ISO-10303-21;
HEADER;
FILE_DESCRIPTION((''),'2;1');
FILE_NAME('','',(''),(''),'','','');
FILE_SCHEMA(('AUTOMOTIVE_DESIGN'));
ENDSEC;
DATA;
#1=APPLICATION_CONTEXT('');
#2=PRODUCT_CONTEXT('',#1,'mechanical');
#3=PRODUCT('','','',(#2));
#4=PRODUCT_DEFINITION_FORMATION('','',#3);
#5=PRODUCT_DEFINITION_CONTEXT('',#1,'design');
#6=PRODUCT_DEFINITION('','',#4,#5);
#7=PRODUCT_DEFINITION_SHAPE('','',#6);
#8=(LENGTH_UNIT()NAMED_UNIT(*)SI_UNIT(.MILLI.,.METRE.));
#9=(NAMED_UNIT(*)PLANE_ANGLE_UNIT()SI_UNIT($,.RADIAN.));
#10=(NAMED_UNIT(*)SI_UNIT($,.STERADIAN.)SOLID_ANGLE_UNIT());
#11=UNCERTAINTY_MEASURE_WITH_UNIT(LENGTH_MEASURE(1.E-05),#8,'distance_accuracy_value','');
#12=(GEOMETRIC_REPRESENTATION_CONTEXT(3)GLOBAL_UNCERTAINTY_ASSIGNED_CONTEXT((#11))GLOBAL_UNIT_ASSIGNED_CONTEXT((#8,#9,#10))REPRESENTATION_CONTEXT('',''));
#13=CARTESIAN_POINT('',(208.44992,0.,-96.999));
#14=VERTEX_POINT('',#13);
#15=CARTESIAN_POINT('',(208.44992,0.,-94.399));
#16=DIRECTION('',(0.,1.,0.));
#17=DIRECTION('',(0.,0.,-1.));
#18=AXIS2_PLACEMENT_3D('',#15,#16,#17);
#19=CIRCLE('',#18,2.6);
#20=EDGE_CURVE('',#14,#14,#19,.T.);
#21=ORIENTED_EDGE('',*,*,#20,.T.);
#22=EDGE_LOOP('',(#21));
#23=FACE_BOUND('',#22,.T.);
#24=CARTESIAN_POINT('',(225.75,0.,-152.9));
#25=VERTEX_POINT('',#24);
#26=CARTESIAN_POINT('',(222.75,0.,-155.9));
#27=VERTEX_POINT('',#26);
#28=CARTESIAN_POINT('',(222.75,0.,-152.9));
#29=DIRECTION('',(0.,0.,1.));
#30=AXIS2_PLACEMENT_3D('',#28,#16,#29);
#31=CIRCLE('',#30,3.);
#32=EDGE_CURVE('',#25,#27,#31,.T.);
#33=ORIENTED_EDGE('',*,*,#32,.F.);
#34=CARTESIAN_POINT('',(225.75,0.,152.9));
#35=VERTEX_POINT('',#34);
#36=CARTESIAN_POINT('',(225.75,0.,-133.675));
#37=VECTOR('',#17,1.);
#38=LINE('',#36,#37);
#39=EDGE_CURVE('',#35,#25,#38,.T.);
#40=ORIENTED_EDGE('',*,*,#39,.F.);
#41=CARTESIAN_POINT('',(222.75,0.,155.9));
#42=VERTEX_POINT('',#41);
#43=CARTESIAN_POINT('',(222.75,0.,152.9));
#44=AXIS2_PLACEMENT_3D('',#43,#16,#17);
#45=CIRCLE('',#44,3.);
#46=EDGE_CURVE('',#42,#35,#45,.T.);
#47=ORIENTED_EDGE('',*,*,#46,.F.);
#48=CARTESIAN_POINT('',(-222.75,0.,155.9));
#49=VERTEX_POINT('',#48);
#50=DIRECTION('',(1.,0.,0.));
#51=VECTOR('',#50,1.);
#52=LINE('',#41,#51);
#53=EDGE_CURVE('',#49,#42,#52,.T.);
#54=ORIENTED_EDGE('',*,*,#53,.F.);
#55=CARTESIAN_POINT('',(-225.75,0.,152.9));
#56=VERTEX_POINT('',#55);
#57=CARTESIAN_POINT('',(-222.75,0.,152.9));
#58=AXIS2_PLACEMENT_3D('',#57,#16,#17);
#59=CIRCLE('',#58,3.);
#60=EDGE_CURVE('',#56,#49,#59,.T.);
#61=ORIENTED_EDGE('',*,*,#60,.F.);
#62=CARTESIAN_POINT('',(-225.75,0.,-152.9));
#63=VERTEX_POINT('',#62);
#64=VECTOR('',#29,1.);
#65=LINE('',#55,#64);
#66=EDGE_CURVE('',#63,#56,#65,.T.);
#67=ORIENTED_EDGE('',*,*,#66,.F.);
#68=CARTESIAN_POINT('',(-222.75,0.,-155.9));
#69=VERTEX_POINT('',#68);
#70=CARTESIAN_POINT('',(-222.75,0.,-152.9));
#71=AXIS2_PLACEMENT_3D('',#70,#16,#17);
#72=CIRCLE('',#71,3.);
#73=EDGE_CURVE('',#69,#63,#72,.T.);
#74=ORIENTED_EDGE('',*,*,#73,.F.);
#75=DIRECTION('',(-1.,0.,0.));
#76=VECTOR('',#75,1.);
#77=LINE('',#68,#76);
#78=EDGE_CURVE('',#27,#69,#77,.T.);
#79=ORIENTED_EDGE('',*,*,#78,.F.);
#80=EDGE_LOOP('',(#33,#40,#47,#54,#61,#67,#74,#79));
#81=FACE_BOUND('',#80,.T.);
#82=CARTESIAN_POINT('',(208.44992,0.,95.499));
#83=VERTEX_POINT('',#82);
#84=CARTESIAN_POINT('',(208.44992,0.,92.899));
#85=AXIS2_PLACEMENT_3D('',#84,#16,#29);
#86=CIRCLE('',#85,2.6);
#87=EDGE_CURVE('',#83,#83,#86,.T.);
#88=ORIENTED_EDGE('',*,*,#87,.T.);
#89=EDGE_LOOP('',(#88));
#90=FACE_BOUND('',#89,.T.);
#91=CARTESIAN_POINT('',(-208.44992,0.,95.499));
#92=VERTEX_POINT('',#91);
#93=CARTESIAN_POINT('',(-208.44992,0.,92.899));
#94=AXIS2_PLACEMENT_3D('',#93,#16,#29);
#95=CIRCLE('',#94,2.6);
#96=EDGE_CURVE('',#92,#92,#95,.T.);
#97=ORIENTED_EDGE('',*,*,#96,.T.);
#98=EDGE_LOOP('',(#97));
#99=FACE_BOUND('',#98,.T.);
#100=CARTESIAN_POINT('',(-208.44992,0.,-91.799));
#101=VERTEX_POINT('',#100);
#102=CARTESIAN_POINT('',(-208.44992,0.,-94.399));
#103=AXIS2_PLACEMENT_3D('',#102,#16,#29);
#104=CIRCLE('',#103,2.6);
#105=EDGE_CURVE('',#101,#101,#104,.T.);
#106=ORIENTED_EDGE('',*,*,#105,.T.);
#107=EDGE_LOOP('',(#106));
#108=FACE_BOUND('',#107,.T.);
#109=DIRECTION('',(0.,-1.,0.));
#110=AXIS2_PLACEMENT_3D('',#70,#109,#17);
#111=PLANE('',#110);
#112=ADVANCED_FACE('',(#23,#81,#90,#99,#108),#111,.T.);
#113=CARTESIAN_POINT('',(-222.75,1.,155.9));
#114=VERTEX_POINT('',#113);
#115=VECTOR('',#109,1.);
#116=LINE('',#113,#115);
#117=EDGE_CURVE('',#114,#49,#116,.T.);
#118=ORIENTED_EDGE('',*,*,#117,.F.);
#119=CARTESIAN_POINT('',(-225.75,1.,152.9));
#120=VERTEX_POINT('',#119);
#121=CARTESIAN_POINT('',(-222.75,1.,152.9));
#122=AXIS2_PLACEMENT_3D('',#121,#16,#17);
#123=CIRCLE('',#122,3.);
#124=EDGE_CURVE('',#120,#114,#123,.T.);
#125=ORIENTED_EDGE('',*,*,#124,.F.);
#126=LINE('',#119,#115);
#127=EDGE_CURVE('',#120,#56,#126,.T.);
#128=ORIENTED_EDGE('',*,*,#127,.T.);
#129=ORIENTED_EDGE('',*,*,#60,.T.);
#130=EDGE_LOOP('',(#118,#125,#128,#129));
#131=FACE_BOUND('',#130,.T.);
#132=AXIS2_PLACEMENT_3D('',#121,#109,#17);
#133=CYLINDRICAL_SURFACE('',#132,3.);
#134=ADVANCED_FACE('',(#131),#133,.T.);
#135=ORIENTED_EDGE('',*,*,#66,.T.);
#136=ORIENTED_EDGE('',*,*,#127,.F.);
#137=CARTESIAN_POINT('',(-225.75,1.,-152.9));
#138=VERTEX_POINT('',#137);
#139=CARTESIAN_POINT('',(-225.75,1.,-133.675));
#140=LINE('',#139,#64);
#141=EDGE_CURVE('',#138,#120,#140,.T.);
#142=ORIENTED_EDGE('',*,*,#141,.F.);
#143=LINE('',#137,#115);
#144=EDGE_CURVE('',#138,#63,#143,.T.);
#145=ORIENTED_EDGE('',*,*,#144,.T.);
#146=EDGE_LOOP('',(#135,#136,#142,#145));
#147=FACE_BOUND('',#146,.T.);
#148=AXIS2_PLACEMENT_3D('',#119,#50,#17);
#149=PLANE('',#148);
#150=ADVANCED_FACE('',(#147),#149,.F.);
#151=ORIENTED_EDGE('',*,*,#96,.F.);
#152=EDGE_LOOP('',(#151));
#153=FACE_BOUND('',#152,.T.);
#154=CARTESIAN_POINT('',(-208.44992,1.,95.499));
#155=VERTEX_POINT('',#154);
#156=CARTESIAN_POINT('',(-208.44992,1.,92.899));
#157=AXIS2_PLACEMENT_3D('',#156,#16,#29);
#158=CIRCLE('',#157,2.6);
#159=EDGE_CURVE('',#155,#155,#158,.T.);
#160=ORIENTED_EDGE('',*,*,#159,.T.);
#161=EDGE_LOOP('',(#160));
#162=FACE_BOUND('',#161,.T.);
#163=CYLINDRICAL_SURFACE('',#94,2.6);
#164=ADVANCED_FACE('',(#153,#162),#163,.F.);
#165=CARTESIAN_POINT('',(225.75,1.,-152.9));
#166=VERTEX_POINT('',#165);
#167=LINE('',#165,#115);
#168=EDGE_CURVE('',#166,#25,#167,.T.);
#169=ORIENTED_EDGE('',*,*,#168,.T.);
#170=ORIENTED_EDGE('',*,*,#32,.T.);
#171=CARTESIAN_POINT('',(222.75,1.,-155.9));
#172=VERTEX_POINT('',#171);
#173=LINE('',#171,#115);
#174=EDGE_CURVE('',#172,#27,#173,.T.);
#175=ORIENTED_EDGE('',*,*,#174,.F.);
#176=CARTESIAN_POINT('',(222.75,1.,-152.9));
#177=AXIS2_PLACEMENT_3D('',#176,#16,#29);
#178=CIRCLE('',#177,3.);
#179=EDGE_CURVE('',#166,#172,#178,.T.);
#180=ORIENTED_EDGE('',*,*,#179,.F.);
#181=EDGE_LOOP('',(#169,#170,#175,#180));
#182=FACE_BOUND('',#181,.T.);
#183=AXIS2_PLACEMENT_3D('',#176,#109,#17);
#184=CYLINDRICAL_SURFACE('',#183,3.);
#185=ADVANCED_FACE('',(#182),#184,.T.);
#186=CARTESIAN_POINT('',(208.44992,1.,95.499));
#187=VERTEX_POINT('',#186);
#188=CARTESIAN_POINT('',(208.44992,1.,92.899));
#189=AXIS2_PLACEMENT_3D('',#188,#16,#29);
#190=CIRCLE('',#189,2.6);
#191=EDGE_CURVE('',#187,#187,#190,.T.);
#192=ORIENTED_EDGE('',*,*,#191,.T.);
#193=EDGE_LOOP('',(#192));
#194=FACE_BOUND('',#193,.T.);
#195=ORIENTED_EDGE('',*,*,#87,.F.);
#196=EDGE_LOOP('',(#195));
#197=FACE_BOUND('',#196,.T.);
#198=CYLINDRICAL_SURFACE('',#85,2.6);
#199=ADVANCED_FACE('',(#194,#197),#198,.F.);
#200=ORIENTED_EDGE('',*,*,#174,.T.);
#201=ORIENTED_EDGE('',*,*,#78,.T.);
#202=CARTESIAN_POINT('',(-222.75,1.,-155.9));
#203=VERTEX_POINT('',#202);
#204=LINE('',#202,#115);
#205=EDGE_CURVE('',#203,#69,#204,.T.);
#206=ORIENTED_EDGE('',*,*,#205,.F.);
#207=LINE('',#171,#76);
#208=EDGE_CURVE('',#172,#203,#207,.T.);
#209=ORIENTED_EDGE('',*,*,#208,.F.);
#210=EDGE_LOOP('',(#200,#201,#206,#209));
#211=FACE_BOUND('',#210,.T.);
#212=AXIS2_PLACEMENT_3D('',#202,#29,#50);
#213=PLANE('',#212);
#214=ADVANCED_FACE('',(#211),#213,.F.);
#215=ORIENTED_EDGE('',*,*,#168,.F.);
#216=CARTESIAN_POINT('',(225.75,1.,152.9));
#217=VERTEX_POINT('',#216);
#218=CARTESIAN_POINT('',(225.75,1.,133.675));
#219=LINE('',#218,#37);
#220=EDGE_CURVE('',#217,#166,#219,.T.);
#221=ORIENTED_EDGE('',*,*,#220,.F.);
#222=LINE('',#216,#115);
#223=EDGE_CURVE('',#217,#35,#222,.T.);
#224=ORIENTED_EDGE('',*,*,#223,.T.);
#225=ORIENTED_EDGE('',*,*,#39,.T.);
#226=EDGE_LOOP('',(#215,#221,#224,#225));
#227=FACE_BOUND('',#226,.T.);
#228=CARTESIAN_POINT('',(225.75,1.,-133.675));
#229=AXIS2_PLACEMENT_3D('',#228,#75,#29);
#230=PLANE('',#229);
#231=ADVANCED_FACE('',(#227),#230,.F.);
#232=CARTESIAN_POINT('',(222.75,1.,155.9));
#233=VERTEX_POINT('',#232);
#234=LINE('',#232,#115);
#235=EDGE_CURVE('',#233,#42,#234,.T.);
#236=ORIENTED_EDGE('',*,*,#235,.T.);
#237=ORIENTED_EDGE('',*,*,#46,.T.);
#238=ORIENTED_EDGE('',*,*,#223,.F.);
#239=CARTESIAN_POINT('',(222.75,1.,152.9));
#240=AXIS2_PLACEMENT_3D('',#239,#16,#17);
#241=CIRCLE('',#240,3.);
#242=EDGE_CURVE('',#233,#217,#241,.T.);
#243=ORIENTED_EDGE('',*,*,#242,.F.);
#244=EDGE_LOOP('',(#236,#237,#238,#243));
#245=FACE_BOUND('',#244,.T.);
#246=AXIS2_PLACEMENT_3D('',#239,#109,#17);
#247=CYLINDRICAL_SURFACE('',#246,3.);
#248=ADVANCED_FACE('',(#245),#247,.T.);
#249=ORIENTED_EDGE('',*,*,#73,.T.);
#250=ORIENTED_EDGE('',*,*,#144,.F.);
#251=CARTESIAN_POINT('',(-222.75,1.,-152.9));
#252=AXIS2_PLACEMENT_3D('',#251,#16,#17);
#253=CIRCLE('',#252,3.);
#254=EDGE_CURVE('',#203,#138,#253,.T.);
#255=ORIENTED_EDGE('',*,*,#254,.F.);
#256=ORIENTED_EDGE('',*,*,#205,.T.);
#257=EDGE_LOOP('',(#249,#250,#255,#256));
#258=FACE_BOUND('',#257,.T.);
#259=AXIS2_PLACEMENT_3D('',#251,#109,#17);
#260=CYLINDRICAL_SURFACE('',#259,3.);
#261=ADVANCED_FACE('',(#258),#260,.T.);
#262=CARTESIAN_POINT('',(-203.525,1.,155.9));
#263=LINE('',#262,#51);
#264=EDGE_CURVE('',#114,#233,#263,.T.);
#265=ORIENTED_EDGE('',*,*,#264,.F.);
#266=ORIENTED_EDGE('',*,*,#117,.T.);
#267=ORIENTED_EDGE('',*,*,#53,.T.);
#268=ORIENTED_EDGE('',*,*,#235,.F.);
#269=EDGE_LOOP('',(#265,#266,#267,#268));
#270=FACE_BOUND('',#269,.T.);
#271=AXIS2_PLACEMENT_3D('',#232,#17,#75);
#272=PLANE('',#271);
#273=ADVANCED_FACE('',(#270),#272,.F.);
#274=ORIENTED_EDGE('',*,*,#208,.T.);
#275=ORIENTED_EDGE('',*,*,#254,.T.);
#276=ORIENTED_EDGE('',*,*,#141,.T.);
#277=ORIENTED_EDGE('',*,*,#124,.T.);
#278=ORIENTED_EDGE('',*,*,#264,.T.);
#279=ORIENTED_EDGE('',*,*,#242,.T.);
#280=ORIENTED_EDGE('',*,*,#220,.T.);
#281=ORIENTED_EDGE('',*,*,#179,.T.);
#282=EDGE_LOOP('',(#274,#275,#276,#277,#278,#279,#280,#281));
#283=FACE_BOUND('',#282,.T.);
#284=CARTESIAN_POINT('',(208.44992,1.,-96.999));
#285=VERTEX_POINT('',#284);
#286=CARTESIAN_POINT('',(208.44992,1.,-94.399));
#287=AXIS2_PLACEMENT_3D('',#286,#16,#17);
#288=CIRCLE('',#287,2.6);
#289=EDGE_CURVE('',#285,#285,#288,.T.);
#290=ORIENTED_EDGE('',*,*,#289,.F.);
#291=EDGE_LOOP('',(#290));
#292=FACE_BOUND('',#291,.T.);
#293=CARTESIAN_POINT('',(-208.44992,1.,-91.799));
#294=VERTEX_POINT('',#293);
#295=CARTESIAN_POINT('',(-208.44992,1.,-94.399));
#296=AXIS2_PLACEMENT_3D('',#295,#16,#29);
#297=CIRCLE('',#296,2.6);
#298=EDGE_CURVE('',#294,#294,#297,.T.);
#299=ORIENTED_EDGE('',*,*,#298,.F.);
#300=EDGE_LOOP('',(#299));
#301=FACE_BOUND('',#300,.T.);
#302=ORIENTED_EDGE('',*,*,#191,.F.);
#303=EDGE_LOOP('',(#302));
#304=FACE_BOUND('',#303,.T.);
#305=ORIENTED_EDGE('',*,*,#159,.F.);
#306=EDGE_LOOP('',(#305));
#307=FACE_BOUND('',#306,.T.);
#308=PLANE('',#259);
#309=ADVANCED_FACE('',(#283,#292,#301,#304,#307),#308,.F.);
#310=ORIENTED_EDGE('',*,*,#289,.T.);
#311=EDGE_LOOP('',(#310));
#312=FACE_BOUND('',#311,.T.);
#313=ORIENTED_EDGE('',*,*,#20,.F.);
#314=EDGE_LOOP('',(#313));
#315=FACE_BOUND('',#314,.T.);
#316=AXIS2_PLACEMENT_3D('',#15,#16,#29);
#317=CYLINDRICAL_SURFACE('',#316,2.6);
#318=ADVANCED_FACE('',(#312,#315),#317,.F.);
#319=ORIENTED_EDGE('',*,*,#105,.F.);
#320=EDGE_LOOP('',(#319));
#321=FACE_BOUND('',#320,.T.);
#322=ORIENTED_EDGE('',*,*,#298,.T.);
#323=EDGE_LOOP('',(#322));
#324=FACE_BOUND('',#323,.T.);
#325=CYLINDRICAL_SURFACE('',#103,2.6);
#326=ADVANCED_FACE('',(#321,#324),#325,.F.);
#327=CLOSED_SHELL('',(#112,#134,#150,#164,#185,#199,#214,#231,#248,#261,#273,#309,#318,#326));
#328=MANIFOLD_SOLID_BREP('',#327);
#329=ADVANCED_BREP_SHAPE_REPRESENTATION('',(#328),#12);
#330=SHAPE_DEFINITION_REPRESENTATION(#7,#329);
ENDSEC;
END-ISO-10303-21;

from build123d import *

# Parameters (mm, degrees)
BOSS_EXTRUDE1_DEPTH = 1
SKETCH5_R           = 2.6
CUT_EXTRUDE1_DEPTH  = 275.35173136


with BuildPart() as part:
    # Sketch1 → Boss-Extrude1 (new body)
    with BuildSketch(Plane(origin=(0, 0, 0), x_dir=(1, 0, 0), z_dir=(0, 1, 0))):
        with BuildLine():
            Line((-203.525, 155.9), (203.525, 155.9))
            Line((203.525, 155.9), (222.75, 155.9))
            ThreePointArc((222.75, 155.9), (224.871320344, 155.021320344), (225.75, 152.9))
            Line((225.75, 152.9), (225.75, 133.675))
            Line((225.75, 133.675), (225.75, -133.675))
            Line((225.75, -133.675), (225.75, -152.9))
            ThreePointArc((225.75, -152.9), (224.871320344, -155.021320344), (222.75, -155.9))
            Line((222.75, -155.9), (203.525, -155.9))
            Line((203.525, -155.9), (-203.525, -155.9))
            Line((-203.525, -155.9), (-222.75, -155.9))
            ThreePointArc((-222.75, -155.9), (-224.871320344, -155.021320344), (-225.75, -152.9))
            Line((-225.75, -152.9), (-225.75, -133.675))
            Line((-225.75, -133.675), (-225.75, 133.675))
            Line((-225.75, 133.675), (-225.75, 152.9))
            ThreePointArc((-225.75, 152.9), (-224.871320344, 155.021320344), (-222.75, 155.9))
            Line((-222.75, 155.9), (-203.525, 155.9))
        make_face()
    extrude(amount=BOSS_EXTRUDE1_DEPTH)

    # Sketch5 → Cut-Extrude1 (cut, through all)
    with BuildSketch(Plane(origin=(0, 1, 0), x_dir=(1, 0, 0), z_dir=(0, 1, 0))):
        with Locations(Location((-208.44992, 94.399, 0), (0, 0, 270))):
            Circle(SKETCH5_R)
        with Locations(Location((208.44992, 94.399, 0), (0, 0, 90))):
            Circle(SKETCH5_R)
        with Locations(Location((-208.44992, -92.899, 0), (0, 0, 270))):
            Circle(SKETCH5_R)
        with Locations(Location((208.44992, -92.899, 0), (0, 0, 270))):
            Circle(SKETCH5_R)
    extrude(amount=-CUT_EXTRUDE1_DEPTH, mode=Mode.SUBTRACT)


solid = part.part
